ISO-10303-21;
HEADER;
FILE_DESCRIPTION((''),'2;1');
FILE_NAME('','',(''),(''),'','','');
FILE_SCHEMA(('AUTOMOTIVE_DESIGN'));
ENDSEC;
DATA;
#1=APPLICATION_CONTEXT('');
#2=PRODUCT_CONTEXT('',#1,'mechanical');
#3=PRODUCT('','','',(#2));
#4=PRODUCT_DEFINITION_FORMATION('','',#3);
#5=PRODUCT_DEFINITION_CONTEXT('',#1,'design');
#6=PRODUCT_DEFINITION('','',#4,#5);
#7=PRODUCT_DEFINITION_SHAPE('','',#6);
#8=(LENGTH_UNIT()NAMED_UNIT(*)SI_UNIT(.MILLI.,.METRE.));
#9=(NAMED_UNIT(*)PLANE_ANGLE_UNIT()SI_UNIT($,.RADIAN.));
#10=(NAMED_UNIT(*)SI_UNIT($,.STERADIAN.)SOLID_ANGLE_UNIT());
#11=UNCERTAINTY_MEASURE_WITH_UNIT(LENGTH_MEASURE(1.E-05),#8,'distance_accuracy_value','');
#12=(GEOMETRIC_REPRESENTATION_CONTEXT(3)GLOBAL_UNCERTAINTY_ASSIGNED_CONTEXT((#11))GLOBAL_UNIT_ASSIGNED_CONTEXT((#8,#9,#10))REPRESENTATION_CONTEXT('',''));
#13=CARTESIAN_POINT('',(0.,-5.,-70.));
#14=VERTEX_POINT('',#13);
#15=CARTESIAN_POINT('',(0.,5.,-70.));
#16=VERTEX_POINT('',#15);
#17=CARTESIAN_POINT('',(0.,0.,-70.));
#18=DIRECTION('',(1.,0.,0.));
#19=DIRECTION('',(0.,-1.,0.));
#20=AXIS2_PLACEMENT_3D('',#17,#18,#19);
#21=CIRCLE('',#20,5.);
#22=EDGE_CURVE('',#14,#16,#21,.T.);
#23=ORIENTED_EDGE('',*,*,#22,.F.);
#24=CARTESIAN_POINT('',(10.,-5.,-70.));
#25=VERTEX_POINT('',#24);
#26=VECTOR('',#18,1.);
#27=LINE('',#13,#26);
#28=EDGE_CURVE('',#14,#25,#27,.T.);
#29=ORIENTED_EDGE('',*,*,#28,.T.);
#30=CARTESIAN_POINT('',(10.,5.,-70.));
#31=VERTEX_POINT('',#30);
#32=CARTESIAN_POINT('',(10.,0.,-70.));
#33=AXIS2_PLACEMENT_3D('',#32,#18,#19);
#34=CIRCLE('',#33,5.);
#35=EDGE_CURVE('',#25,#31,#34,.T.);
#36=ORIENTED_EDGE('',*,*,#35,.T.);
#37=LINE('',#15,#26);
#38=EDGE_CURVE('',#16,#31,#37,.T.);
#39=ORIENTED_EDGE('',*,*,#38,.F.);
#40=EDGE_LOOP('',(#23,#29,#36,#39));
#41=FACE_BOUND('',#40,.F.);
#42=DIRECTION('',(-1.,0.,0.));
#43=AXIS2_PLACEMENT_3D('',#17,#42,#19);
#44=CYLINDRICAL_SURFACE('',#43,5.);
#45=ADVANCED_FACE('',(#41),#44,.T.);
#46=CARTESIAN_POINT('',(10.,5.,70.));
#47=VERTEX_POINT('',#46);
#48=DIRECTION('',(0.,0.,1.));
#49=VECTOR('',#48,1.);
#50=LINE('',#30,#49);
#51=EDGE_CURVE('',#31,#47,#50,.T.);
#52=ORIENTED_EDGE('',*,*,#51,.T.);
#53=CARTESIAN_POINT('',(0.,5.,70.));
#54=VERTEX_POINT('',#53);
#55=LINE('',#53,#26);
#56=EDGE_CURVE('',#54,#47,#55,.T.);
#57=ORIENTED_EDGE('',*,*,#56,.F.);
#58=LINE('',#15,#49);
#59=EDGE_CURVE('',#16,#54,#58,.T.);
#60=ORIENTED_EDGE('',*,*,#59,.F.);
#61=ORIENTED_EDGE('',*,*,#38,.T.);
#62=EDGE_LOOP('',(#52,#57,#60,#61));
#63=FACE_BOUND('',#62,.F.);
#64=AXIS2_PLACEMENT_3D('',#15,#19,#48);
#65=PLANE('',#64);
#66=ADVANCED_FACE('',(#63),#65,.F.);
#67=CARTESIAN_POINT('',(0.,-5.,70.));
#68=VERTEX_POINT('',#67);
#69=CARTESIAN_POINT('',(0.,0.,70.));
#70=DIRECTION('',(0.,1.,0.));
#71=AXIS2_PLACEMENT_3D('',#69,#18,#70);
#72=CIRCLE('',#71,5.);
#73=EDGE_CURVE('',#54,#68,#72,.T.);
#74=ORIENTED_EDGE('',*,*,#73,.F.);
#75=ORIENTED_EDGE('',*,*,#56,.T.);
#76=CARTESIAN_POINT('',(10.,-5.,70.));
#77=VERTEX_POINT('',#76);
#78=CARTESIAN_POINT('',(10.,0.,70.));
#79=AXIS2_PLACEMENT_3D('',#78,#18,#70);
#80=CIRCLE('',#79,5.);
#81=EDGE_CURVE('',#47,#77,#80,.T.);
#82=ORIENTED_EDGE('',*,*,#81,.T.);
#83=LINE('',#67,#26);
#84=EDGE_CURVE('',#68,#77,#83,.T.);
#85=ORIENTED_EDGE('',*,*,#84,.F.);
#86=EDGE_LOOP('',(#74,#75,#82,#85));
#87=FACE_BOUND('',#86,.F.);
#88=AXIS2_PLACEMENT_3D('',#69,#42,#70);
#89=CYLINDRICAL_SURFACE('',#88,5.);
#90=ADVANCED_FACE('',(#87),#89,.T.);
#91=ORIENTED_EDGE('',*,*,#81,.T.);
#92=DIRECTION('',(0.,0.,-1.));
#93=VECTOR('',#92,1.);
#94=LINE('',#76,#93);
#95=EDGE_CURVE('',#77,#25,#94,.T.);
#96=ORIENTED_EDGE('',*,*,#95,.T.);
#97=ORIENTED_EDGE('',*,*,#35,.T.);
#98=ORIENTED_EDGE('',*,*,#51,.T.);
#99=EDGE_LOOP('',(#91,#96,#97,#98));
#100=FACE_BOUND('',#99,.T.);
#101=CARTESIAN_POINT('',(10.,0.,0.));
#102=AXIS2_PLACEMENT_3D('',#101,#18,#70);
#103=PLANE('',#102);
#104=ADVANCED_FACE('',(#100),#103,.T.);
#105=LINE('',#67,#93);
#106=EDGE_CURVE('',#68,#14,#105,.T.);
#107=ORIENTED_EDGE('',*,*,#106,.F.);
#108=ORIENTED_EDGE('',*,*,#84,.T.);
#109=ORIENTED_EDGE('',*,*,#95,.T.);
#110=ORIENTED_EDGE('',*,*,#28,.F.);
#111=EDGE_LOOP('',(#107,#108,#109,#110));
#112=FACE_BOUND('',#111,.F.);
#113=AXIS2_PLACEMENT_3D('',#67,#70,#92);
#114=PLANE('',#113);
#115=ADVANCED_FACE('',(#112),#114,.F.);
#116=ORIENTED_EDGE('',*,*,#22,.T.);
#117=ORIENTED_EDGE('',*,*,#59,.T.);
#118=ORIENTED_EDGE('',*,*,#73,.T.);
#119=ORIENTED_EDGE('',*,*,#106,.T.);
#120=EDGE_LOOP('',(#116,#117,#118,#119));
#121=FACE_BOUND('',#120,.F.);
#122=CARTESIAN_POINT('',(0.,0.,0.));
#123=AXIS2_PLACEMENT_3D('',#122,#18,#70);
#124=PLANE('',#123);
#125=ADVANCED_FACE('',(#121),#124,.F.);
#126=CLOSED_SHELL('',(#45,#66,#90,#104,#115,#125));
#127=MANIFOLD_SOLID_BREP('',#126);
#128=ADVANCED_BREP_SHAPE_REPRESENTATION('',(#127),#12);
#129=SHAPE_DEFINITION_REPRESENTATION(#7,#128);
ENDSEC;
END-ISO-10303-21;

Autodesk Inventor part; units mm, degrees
ref_plane "YZ Plane" through (0, 0, 0) normal (1, 0, 0) x (0, 1, 0)
ref_plane "XZ Plane" through (0, 0, 0) normal (0, 1, 0) x (-1, 0, 0)
ref_plane "XY Plane" through (0, 0, 0) normal (0, 0, 1) x (1, 0, 0)
sketch "Sketch1" plane through (0, 0, 0) normal (1, 0, 0) x (0, 1, 0)
  line L0 (0, -70) -> (0, 70) construction
  line L1 (5, -70) -> (5, 70)
  line L2 (-5, 70) -> (-5, -70)
  arc A0 (-5, -70) -> (5, -70) centre (0, -70) ccw
  arc A1 (5, 70) -> (-5, 70) centre (0, 70) ccw
  point P0 (0, 0)
  dimension "d0" = 10
  dimension "d1" = 140
extrude "Extrusion1" add sketch "Sketch1" along normal blind 10
properties part number "Link 280"
